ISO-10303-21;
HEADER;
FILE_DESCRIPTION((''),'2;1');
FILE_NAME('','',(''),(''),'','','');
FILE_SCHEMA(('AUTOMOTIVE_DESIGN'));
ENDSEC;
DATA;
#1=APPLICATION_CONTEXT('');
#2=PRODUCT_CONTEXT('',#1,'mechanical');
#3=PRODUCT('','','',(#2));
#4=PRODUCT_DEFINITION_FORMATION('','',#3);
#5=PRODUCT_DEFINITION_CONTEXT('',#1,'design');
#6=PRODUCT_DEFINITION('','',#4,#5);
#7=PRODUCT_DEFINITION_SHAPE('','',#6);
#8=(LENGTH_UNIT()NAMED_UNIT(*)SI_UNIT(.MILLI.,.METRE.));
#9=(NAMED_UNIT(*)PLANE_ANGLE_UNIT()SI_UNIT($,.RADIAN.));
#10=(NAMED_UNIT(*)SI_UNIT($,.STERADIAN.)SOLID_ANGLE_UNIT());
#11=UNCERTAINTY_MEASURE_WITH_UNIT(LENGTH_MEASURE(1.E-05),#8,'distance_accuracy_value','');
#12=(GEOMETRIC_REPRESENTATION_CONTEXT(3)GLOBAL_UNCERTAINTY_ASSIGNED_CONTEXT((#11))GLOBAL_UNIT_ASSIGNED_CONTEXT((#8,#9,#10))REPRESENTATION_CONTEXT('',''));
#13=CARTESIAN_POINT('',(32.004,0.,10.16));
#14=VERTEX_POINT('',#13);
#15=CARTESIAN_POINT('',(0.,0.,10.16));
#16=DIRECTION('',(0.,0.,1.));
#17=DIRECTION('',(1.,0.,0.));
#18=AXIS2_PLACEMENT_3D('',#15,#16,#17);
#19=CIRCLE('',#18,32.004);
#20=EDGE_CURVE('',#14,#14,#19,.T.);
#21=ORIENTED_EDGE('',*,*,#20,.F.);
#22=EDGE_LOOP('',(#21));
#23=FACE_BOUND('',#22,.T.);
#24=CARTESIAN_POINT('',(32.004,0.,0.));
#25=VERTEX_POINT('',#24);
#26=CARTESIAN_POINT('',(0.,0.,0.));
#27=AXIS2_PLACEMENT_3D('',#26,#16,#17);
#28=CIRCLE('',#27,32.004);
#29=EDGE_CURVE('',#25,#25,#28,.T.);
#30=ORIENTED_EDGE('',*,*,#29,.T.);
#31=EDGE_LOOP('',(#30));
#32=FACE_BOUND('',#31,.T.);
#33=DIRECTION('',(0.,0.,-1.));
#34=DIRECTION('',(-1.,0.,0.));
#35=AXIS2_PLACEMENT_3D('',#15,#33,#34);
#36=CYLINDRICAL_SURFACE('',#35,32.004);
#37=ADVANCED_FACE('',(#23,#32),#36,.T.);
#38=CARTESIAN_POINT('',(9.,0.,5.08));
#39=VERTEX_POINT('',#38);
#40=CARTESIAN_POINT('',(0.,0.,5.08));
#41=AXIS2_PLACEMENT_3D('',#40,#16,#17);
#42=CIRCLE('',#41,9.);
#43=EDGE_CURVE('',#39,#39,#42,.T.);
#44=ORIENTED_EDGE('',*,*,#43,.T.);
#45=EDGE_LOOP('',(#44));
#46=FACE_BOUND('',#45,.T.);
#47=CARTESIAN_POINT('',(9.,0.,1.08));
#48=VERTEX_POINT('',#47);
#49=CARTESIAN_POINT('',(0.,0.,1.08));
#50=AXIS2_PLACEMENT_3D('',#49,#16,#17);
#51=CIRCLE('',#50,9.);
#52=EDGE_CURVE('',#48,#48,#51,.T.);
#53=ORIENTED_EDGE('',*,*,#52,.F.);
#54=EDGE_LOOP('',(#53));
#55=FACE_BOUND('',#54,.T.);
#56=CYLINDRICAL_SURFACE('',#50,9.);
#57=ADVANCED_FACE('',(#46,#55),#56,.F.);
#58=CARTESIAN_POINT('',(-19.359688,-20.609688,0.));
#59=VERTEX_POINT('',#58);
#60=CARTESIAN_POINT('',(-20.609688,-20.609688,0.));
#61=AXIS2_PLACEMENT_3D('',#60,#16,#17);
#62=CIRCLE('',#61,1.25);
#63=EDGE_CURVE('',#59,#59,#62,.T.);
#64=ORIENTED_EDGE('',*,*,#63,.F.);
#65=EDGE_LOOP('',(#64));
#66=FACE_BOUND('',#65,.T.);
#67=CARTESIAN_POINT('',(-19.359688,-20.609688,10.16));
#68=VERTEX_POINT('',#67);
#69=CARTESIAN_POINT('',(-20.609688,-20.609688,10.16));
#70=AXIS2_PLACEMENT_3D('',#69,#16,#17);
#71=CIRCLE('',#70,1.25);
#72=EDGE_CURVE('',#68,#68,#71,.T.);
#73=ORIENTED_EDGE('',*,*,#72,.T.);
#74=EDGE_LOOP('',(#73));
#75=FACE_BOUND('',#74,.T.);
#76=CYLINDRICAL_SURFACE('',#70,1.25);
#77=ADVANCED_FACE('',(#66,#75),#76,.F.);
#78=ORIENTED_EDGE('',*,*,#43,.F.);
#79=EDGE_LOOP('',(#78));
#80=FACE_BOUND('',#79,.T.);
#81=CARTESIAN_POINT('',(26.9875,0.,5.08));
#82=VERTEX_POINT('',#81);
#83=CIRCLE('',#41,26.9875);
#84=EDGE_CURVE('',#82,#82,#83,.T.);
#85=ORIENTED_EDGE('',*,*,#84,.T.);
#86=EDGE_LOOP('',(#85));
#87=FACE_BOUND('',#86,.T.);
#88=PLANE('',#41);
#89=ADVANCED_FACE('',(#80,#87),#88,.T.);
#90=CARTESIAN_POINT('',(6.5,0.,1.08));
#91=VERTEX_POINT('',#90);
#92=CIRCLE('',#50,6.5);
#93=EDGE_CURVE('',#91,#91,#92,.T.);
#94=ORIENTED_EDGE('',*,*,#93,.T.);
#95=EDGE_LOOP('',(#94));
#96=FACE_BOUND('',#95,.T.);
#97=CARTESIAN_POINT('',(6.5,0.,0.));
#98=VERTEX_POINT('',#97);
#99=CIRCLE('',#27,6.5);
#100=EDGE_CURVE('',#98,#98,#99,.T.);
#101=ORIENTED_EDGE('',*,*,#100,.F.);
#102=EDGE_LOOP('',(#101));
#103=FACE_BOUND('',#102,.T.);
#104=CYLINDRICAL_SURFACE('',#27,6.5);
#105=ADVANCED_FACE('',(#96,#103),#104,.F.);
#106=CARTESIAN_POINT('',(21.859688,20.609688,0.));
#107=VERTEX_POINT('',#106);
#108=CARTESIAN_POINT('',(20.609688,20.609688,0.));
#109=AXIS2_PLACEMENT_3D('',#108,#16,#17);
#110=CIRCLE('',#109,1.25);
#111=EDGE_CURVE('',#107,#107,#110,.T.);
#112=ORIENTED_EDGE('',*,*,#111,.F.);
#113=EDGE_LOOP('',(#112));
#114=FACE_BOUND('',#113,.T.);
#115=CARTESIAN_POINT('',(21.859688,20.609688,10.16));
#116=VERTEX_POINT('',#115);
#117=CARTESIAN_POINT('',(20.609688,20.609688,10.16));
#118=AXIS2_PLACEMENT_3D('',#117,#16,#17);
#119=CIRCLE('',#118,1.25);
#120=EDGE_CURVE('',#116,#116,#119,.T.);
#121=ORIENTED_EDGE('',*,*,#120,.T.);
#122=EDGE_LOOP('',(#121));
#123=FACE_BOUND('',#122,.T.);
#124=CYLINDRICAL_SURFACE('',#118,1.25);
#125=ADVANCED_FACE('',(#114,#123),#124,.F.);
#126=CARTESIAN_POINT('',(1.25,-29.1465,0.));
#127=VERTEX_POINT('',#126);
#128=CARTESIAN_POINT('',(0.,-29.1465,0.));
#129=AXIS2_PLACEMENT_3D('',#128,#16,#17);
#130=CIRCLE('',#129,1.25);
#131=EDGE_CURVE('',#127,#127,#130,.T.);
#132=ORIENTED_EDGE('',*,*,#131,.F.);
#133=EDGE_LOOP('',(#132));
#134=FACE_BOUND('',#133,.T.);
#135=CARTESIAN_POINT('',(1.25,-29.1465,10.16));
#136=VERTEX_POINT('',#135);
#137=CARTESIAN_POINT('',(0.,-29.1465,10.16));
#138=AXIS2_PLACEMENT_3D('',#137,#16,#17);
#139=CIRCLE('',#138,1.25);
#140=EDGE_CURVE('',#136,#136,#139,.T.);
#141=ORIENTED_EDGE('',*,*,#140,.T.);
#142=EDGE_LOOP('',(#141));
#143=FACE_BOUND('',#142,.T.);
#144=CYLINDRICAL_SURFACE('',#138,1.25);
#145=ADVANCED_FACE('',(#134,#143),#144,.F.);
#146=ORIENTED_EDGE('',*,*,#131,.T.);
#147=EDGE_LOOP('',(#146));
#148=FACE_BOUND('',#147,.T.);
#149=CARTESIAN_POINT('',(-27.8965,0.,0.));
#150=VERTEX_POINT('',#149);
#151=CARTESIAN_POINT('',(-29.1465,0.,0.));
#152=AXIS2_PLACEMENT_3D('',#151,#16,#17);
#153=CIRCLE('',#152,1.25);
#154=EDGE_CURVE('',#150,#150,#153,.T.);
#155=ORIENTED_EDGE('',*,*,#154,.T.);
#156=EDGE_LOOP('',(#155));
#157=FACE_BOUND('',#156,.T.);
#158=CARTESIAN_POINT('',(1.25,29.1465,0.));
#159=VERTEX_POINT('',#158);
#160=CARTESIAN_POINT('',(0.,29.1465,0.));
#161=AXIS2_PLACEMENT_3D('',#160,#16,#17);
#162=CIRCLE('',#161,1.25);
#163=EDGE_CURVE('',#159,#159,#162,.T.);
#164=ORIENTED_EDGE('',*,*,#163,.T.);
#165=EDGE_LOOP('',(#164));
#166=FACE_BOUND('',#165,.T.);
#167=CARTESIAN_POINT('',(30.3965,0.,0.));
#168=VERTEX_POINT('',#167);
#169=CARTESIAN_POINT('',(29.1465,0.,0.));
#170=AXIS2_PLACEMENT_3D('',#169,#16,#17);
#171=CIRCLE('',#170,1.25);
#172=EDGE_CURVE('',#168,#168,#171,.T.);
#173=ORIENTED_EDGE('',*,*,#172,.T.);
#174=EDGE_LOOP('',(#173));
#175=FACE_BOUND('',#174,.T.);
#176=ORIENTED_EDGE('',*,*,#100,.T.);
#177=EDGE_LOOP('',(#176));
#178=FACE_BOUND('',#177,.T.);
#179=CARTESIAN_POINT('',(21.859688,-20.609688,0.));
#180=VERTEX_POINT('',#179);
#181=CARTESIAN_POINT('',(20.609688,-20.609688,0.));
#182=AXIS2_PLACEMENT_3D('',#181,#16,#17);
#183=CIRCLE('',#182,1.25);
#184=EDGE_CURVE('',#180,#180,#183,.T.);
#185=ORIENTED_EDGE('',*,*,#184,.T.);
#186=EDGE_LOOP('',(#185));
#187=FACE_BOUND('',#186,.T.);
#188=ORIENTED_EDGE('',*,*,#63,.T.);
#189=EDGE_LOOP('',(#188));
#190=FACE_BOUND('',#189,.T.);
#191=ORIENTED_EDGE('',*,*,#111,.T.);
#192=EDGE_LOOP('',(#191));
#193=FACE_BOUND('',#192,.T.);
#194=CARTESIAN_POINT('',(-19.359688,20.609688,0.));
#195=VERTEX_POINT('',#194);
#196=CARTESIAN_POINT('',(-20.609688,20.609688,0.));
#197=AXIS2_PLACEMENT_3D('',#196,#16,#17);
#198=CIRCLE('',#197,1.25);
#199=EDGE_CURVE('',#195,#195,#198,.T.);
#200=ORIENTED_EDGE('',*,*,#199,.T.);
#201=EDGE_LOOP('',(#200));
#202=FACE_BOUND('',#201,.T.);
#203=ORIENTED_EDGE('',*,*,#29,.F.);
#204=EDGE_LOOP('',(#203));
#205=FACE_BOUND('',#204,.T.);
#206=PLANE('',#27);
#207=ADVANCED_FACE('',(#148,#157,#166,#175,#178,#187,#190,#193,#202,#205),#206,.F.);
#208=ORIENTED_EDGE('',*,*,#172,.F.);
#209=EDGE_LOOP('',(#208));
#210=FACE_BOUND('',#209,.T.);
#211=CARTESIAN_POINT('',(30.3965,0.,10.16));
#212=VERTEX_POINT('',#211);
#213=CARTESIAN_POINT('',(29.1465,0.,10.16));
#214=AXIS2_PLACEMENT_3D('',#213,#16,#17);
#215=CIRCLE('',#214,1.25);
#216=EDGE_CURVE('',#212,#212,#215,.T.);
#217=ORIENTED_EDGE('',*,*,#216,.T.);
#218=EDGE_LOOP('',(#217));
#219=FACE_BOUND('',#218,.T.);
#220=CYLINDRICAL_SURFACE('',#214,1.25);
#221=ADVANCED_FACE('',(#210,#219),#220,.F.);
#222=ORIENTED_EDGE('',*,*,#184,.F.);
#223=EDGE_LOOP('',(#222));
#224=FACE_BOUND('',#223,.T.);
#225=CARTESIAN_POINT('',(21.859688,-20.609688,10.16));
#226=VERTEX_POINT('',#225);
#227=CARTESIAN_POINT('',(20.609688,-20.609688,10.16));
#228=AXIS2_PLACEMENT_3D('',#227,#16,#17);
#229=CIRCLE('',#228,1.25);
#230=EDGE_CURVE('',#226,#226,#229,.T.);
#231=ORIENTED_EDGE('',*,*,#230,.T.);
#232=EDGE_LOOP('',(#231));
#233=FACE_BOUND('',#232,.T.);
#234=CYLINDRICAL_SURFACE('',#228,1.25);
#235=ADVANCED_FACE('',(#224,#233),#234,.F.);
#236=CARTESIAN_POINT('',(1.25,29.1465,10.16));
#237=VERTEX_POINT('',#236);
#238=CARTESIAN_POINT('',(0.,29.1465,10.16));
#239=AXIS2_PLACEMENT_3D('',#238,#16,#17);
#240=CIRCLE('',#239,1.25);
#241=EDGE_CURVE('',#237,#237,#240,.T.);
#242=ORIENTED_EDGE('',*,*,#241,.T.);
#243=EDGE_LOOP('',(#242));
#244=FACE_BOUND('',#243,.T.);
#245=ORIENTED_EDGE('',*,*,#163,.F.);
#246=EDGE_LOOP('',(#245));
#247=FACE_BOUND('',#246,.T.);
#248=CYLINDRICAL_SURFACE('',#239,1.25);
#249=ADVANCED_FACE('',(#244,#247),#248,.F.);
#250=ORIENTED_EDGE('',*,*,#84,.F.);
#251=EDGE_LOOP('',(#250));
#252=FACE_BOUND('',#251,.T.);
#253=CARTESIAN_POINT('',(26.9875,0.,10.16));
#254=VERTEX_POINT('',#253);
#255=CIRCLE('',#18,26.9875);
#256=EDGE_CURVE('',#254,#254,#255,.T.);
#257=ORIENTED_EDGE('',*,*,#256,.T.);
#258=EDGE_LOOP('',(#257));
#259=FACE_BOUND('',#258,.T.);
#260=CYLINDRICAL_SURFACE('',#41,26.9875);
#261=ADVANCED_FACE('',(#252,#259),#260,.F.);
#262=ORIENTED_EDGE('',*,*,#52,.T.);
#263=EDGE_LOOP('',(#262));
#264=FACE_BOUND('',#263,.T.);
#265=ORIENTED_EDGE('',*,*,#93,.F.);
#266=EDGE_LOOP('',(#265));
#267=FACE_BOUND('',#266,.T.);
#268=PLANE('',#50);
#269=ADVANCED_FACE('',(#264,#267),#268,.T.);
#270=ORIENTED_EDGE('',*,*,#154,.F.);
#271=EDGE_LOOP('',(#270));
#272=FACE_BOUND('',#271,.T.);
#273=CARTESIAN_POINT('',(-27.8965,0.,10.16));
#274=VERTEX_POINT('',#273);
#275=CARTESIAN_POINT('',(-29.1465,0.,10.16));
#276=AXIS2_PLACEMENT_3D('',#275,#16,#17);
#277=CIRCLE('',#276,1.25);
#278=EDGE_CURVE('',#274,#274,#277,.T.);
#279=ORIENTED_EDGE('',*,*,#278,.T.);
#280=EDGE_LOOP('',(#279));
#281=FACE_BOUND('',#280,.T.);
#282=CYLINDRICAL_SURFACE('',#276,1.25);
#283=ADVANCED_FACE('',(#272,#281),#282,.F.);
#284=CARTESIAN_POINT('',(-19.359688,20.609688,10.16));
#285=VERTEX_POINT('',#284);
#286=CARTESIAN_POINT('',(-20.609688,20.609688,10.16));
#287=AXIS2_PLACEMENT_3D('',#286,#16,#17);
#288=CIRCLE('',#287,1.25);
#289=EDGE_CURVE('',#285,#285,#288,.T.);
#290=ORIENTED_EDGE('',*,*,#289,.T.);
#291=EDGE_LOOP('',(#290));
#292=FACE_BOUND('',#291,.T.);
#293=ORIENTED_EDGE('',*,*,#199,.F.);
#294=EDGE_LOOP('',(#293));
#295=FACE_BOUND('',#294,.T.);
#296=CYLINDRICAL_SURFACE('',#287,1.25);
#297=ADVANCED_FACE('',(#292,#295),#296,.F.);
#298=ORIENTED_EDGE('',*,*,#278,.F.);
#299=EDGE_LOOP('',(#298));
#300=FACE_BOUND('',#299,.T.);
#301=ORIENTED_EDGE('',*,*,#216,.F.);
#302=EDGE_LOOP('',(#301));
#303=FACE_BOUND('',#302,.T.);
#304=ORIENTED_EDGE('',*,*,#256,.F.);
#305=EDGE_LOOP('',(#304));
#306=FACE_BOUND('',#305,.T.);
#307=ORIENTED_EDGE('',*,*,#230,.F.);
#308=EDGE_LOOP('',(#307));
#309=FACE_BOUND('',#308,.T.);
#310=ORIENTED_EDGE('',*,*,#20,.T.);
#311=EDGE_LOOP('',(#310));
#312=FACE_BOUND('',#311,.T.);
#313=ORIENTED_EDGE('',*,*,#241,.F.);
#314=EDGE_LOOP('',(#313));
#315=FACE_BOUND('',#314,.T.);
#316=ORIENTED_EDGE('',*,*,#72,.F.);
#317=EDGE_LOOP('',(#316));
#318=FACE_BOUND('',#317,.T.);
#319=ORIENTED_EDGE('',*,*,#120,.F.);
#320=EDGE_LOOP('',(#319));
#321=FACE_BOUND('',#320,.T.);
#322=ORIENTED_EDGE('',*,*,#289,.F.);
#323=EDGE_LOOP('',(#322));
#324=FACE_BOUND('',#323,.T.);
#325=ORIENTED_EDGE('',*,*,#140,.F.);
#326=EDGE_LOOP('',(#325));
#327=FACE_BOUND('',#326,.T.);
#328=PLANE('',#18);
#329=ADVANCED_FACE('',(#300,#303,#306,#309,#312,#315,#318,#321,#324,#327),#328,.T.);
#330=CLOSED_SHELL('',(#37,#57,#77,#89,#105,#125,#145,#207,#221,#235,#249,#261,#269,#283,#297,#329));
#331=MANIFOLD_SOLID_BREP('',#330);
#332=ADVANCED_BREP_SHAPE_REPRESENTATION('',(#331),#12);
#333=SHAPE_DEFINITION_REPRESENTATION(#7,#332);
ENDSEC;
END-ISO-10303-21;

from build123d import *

# Parameters (mm, degrees)
SKETCH1_R             = 32.004
BOSS_EXTRUDE1_DEPTH   = 10.16
SKETCH2_R             = 26.9875
CUT_EXTRUDE1_DEPTH    = 5.08
SKETCH3_R             = 9
CUT_EXTRUDE2_DEPTH    = 4
SKETCH4_R             = 6.5
CUT_EXTRUDE3_DEPTH    = 47.162305315
M3X0_5_TAPPED_HOLE1_D = 2.5


with BuildPart() as part:
    # Sketch1 → Boss-Extrude1 (new body)
    with BuildSketch(Plane.XY):
        Circle(SKETCH1_R)
    extrude(amount=BOSS_EXTRUDE1_DEPTH)

    # Sketch2 → Cut-Extrude1 (cut)
    with BuildSketch(Plane.XY.offset(10.16)):
        Circle(SKETCH2_R)
    extrude(amount=-CUT_EXTRUDE1_DEPTH, mode=Mode.SUBTRACT)

    # Sketch3 → Cut-Extrude2 (cut)
    with BuildSketch(Plane.XY.offset(5.08)):
        Circle(SKETCH3_R)
    extrude(amount=-CUT_EXTRUDE2_DEPTH, mode=Mode.SUBTRACT)

    # Sketch4 → Cut-Extrude3 (cut, through all)
    with BuildSketch(Plane.XY.offset(1.08)):
        Circle(SKETCH4_R)
    extrude(amount=-CUT_EXTRUDE3_DEPTH, mode=Mode.SUBTRACT)

    # M3x0.5 Tapped Hole1 (through all)
    with Locations(Plane.XY.offset(10.16)):
        with Locations((-20.609687798, 20.609687798), (0, 29.1465), (20.609687798, 20.609687798), (29.1465, 0), (20.609687798, -20.609687798), (0, -29.1465), (-20.609687798, -20.609687798), (-29.1465, 0)):
            Hole(M3X0_5_TAPPED_HOLE1_D / 2)


solid = part.part
